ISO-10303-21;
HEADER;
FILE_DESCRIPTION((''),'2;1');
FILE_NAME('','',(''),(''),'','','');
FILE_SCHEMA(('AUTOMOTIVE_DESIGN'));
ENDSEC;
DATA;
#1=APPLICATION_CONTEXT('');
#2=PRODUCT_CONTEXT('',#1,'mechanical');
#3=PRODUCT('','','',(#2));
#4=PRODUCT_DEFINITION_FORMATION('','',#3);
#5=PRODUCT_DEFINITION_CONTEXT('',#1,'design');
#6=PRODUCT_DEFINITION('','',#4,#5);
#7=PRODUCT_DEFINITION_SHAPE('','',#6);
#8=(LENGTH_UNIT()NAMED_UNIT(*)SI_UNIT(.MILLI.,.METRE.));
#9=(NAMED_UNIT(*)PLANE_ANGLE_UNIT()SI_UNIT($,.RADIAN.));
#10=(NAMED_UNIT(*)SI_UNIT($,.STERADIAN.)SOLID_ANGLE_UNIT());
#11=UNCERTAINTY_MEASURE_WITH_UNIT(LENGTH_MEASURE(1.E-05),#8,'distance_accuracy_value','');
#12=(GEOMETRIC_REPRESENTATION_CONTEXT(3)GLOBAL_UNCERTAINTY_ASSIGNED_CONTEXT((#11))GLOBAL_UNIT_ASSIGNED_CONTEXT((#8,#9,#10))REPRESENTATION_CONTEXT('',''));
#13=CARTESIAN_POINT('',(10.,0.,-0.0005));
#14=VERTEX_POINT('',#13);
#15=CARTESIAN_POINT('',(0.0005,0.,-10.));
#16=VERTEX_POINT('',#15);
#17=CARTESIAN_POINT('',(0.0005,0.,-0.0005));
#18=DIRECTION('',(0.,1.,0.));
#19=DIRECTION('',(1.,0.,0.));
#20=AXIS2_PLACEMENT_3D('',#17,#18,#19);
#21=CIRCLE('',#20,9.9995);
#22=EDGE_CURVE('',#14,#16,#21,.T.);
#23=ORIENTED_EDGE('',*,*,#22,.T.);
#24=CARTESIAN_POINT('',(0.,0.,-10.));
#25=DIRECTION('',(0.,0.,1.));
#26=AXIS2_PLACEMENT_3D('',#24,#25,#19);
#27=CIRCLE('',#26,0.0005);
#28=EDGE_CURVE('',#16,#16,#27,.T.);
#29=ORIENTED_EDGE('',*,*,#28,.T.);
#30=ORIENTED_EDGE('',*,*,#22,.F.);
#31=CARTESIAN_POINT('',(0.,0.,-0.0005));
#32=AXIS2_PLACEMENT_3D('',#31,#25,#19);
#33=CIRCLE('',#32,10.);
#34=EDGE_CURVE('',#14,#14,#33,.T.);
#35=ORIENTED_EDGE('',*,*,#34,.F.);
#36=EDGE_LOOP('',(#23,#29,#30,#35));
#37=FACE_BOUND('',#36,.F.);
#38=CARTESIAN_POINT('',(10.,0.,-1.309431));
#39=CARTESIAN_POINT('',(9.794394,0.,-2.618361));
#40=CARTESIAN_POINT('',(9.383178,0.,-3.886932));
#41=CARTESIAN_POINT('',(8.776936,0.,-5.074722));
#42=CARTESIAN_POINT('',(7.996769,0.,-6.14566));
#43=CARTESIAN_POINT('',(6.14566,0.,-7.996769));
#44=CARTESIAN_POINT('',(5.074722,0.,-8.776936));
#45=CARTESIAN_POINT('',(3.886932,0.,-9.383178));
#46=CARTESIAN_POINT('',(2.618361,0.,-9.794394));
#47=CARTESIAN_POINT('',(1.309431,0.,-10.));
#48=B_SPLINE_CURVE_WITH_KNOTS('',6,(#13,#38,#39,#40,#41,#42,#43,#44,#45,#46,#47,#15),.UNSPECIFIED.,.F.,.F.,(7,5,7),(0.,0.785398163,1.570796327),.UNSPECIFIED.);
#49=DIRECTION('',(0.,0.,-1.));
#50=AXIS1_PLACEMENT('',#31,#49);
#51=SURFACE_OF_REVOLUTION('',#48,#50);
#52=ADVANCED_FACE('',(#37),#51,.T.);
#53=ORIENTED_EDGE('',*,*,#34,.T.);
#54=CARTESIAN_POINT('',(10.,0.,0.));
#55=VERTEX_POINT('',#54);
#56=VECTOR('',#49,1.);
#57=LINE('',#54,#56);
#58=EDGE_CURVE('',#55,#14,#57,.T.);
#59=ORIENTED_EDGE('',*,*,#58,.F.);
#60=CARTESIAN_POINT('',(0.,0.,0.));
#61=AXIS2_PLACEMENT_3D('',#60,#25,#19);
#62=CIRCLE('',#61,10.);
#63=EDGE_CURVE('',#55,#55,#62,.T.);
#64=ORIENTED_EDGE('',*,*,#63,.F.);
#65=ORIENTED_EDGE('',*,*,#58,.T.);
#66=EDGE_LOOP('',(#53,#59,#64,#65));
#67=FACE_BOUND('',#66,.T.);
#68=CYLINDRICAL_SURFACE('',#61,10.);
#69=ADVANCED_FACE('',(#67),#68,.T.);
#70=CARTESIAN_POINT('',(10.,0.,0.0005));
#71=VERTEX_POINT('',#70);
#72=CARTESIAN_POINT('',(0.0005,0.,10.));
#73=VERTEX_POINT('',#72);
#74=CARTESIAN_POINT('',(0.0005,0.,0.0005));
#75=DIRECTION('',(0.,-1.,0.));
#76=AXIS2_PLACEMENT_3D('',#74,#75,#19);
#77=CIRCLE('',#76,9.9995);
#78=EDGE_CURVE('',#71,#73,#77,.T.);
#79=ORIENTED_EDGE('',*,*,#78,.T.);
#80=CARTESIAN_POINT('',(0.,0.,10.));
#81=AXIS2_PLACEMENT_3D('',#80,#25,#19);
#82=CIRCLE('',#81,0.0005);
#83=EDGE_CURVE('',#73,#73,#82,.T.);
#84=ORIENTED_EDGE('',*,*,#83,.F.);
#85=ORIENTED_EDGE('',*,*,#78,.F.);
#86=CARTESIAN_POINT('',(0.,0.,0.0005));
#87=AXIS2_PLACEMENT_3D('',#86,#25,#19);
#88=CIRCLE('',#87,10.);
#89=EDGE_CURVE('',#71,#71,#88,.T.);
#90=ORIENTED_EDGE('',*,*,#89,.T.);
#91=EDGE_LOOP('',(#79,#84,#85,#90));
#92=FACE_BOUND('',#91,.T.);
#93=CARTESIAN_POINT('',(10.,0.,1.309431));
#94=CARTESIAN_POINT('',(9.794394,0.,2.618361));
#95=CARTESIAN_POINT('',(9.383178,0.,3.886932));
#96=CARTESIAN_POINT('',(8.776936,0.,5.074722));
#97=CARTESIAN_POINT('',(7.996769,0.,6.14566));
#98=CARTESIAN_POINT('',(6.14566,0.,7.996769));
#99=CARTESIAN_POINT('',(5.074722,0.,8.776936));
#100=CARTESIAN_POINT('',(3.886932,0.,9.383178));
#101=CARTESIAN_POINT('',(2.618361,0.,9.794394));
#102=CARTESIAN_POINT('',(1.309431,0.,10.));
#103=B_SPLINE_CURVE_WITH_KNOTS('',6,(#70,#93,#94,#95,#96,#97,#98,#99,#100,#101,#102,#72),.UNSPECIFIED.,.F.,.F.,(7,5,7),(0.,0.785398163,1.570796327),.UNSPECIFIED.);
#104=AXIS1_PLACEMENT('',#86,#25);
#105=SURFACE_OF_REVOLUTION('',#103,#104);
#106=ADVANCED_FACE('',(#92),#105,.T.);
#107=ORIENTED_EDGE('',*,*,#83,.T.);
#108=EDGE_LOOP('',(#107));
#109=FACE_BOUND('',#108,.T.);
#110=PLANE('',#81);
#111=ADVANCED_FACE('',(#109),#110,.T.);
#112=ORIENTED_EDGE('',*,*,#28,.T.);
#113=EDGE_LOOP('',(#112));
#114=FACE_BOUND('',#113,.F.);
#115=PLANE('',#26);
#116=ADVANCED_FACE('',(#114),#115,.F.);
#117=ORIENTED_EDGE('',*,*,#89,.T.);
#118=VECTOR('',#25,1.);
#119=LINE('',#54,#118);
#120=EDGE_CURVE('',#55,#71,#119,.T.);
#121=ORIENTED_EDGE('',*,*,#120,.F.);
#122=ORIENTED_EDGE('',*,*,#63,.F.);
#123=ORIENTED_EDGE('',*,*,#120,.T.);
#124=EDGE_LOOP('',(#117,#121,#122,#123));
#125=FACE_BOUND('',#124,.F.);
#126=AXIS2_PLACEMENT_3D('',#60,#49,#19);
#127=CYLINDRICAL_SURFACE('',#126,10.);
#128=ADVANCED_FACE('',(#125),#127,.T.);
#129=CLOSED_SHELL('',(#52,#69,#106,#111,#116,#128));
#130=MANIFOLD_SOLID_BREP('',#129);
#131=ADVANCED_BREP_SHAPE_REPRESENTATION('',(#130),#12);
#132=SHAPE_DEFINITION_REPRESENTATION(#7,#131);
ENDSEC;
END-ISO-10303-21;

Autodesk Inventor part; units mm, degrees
ref_plane "YZ Plane" through (0, 0, 0) normal (1, 0, 0) x (0, 1, 0)
ref_plane "XZ Plane" through (0, 0, 0) normal (0, 1, 0) x (-1, 0, 0)
ref_plane "XY Plane" through (0, 0, 0) normal (0, 0, 1) x (1, 0, 0)
sketch "Sketch1" plane through (0, 0, 0) normal (0, 0, 1) x (1, 0, 0)
  circle A0 centre (0, 0) radius 10
  dimension "d0" = 20
extrude "Extrusion1" add sketch "Sketch1" along normal mid plane 20
fillet "Fillet1" radius 10 2 edges at (-10, 0, 10) (-10, 0, -10)
equation "\"d1\" = d0"
properties part number "Steel Ball 20mm" material "Stainless Steel"
